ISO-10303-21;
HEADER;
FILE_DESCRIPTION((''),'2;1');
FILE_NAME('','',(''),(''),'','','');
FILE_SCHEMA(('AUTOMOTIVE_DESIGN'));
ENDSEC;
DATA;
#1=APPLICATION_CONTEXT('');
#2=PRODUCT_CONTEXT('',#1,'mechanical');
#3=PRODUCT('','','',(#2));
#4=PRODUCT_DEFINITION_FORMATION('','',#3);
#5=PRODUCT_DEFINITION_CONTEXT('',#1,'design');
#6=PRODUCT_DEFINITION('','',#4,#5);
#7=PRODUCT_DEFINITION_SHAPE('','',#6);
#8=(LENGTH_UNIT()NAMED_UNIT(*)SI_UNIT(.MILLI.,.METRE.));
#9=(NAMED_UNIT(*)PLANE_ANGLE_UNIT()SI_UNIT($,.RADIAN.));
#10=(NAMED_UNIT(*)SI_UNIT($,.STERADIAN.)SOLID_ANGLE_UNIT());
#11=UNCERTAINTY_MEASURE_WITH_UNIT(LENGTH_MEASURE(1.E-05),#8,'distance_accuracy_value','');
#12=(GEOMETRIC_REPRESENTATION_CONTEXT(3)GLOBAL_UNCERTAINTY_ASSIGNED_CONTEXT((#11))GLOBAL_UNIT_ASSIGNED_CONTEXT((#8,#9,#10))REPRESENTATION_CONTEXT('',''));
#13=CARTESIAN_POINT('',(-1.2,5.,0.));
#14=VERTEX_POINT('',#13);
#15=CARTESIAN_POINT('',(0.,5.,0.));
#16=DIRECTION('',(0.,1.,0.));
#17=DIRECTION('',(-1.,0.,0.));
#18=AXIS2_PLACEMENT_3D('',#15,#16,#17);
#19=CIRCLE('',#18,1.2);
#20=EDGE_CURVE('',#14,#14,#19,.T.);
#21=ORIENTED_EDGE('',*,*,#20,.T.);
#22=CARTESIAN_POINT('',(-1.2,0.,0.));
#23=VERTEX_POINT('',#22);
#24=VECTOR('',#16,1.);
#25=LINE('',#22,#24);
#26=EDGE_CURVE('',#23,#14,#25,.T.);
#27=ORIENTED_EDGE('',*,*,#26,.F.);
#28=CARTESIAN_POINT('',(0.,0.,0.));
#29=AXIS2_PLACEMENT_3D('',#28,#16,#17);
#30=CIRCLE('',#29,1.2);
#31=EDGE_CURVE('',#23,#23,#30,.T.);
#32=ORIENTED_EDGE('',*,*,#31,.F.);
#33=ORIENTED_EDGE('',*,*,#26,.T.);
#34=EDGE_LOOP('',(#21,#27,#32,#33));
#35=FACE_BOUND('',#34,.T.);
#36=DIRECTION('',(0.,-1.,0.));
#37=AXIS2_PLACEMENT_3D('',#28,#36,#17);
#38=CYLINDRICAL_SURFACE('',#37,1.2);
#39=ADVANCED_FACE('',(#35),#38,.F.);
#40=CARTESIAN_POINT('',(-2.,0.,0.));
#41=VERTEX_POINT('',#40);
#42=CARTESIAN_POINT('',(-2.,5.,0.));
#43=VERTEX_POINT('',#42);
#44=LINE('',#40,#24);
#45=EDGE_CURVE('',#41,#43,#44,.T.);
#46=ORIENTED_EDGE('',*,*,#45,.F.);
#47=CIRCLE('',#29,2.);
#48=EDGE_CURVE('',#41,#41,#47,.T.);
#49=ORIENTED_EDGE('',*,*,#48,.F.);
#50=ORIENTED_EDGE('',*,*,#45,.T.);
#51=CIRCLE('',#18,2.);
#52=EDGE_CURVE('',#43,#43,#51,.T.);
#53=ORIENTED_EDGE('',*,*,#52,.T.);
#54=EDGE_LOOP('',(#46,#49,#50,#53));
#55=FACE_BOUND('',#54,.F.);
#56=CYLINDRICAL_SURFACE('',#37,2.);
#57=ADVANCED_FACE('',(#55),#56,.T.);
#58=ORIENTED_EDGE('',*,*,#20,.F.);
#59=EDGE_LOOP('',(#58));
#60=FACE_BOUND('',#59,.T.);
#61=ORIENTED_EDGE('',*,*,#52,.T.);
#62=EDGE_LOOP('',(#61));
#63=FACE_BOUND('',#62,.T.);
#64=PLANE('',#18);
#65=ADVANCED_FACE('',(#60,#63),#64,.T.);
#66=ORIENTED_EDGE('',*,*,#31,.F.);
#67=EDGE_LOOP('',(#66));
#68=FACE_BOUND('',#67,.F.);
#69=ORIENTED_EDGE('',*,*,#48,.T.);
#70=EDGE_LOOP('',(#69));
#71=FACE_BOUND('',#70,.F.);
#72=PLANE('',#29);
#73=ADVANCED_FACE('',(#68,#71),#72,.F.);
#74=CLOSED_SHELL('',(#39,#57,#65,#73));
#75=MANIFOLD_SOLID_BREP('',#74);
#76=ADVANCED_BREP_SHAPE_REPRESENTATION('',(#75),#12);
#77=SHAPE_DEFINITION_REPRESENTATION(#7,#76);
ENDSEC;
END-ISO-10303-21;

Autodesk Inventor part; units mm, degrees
ref_plane "YZ Plane" through (0, 0, 0) normal (1, 0, 0) x (0, 1, 0)
ref_plane "XZ Plane" through (0, 0, 0) normal (0, 1, 0) x (-1, 0, 0)
ref_plane "XY Plane" through (0, 0, 0) normal (0, 0, 1) x (1, 0, 0)
sketch "Sketch1" plane through (0, 0, 0) normal (0, 1, 0) x (-1, 0, 0)
  circle A0 centre (0, 0) radius 1.2
  circle A1 centre (0, 0) radius 2
  dimension "d0" = 2.4
  dimension "d1" = 4
extrude "Extrusion1" add sketch "Sketch1" along normal blind 5
properties part number "battery_spacer"
